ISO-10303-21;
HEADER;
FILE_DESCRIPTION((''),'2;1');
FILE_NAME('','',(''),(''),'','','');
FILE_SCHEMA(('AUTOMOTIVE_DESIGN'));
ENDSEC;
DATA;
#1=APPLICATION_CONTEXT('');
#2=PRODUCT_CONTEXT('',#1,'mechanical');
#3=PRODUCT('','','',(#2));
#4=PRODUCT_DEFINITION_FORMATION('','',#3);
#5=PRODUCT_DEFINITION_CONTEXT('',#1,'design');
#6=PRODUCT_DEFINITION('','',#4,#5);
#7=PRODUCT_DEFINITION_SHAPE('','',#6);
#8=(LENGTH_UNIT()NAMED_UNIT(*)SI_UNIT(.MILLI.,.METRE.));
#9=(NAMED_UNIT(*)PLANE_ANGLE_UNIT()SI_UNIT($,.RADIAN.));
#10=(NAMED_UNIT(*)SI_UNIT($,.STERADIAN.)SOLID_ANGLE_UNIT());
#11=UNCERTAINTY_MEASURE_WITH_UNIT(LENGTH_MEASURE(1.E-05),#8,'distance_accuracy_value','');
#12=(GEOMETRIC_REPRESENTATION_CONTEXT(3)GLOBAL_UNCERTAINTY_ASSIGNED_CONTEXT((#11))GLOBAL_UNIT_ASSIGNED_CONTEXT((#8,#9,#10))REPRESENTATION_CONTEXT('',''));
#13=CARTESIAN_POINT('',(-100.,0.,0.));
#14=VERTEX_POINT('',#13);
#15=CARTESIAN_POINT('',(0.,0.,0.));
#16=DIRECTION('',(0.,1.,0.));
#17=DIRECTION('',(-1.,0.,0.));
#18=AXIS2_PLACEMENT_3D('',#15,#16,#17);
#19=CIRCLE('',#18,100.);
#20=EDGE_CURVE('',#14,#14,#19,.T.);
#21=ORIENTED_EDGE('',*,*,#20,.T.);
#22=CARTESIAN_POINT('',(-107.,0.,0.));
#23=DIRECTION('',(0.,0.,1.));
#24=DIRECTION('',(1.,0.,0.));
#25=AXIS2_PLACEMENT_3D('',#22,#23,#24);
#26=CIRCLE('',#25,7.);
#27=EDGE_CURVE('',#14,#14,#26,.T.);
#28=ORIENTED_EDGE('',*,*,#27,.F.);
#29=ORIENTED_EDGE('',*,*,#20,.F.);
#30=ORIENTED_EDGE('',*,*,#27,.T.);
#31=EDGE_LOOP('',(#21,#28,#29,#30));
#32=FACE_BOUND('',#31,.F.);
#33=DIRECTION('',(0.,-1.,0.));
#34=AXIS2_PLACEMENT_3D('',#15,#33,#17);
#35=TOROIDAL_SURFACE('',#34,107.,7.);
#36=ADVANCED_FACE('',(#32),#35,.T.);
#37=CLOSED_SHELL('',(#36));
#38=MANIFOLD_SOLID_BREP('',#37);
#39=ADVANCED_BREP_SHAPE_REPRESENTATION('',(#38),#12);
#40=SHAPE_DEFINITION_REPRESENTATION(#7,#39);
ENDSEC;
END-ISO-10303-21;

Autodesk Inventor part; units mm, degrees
ref_plane "YZ Plane" through (0, 0, 0) normal (1, 0, 0) x (0, 1, 0)
ref_plane "XZ Plane" through (0, 0, 0) normal (0, 1, 0) x (-1, 0, 0)
ref_plane "XY Plane" through (0, 0, 0) normal (0, 0, 1) x (1, 0, 0)
sketch "スケッチ1" plane through (0, 0, 0) normal (0, 0, 1) x (1, 0, 0)
  circle A0 centre (-107, 0) radius 7
  line L0 (0, 0) -> (0, 50)
  point P0 (-114, 0)
  dimension "d2" = 14
  dimension "d0" = 0
  dimension "d1" = 107
  dimension "d3" = 50
  dimension "d5" = 114
revolve "回転1" add sketch "スケッチ1" angle 360 about axis through (0, 0, 0) along (0, 1, 0)
properties part number "RING" material "ゴム、シリコーン"
